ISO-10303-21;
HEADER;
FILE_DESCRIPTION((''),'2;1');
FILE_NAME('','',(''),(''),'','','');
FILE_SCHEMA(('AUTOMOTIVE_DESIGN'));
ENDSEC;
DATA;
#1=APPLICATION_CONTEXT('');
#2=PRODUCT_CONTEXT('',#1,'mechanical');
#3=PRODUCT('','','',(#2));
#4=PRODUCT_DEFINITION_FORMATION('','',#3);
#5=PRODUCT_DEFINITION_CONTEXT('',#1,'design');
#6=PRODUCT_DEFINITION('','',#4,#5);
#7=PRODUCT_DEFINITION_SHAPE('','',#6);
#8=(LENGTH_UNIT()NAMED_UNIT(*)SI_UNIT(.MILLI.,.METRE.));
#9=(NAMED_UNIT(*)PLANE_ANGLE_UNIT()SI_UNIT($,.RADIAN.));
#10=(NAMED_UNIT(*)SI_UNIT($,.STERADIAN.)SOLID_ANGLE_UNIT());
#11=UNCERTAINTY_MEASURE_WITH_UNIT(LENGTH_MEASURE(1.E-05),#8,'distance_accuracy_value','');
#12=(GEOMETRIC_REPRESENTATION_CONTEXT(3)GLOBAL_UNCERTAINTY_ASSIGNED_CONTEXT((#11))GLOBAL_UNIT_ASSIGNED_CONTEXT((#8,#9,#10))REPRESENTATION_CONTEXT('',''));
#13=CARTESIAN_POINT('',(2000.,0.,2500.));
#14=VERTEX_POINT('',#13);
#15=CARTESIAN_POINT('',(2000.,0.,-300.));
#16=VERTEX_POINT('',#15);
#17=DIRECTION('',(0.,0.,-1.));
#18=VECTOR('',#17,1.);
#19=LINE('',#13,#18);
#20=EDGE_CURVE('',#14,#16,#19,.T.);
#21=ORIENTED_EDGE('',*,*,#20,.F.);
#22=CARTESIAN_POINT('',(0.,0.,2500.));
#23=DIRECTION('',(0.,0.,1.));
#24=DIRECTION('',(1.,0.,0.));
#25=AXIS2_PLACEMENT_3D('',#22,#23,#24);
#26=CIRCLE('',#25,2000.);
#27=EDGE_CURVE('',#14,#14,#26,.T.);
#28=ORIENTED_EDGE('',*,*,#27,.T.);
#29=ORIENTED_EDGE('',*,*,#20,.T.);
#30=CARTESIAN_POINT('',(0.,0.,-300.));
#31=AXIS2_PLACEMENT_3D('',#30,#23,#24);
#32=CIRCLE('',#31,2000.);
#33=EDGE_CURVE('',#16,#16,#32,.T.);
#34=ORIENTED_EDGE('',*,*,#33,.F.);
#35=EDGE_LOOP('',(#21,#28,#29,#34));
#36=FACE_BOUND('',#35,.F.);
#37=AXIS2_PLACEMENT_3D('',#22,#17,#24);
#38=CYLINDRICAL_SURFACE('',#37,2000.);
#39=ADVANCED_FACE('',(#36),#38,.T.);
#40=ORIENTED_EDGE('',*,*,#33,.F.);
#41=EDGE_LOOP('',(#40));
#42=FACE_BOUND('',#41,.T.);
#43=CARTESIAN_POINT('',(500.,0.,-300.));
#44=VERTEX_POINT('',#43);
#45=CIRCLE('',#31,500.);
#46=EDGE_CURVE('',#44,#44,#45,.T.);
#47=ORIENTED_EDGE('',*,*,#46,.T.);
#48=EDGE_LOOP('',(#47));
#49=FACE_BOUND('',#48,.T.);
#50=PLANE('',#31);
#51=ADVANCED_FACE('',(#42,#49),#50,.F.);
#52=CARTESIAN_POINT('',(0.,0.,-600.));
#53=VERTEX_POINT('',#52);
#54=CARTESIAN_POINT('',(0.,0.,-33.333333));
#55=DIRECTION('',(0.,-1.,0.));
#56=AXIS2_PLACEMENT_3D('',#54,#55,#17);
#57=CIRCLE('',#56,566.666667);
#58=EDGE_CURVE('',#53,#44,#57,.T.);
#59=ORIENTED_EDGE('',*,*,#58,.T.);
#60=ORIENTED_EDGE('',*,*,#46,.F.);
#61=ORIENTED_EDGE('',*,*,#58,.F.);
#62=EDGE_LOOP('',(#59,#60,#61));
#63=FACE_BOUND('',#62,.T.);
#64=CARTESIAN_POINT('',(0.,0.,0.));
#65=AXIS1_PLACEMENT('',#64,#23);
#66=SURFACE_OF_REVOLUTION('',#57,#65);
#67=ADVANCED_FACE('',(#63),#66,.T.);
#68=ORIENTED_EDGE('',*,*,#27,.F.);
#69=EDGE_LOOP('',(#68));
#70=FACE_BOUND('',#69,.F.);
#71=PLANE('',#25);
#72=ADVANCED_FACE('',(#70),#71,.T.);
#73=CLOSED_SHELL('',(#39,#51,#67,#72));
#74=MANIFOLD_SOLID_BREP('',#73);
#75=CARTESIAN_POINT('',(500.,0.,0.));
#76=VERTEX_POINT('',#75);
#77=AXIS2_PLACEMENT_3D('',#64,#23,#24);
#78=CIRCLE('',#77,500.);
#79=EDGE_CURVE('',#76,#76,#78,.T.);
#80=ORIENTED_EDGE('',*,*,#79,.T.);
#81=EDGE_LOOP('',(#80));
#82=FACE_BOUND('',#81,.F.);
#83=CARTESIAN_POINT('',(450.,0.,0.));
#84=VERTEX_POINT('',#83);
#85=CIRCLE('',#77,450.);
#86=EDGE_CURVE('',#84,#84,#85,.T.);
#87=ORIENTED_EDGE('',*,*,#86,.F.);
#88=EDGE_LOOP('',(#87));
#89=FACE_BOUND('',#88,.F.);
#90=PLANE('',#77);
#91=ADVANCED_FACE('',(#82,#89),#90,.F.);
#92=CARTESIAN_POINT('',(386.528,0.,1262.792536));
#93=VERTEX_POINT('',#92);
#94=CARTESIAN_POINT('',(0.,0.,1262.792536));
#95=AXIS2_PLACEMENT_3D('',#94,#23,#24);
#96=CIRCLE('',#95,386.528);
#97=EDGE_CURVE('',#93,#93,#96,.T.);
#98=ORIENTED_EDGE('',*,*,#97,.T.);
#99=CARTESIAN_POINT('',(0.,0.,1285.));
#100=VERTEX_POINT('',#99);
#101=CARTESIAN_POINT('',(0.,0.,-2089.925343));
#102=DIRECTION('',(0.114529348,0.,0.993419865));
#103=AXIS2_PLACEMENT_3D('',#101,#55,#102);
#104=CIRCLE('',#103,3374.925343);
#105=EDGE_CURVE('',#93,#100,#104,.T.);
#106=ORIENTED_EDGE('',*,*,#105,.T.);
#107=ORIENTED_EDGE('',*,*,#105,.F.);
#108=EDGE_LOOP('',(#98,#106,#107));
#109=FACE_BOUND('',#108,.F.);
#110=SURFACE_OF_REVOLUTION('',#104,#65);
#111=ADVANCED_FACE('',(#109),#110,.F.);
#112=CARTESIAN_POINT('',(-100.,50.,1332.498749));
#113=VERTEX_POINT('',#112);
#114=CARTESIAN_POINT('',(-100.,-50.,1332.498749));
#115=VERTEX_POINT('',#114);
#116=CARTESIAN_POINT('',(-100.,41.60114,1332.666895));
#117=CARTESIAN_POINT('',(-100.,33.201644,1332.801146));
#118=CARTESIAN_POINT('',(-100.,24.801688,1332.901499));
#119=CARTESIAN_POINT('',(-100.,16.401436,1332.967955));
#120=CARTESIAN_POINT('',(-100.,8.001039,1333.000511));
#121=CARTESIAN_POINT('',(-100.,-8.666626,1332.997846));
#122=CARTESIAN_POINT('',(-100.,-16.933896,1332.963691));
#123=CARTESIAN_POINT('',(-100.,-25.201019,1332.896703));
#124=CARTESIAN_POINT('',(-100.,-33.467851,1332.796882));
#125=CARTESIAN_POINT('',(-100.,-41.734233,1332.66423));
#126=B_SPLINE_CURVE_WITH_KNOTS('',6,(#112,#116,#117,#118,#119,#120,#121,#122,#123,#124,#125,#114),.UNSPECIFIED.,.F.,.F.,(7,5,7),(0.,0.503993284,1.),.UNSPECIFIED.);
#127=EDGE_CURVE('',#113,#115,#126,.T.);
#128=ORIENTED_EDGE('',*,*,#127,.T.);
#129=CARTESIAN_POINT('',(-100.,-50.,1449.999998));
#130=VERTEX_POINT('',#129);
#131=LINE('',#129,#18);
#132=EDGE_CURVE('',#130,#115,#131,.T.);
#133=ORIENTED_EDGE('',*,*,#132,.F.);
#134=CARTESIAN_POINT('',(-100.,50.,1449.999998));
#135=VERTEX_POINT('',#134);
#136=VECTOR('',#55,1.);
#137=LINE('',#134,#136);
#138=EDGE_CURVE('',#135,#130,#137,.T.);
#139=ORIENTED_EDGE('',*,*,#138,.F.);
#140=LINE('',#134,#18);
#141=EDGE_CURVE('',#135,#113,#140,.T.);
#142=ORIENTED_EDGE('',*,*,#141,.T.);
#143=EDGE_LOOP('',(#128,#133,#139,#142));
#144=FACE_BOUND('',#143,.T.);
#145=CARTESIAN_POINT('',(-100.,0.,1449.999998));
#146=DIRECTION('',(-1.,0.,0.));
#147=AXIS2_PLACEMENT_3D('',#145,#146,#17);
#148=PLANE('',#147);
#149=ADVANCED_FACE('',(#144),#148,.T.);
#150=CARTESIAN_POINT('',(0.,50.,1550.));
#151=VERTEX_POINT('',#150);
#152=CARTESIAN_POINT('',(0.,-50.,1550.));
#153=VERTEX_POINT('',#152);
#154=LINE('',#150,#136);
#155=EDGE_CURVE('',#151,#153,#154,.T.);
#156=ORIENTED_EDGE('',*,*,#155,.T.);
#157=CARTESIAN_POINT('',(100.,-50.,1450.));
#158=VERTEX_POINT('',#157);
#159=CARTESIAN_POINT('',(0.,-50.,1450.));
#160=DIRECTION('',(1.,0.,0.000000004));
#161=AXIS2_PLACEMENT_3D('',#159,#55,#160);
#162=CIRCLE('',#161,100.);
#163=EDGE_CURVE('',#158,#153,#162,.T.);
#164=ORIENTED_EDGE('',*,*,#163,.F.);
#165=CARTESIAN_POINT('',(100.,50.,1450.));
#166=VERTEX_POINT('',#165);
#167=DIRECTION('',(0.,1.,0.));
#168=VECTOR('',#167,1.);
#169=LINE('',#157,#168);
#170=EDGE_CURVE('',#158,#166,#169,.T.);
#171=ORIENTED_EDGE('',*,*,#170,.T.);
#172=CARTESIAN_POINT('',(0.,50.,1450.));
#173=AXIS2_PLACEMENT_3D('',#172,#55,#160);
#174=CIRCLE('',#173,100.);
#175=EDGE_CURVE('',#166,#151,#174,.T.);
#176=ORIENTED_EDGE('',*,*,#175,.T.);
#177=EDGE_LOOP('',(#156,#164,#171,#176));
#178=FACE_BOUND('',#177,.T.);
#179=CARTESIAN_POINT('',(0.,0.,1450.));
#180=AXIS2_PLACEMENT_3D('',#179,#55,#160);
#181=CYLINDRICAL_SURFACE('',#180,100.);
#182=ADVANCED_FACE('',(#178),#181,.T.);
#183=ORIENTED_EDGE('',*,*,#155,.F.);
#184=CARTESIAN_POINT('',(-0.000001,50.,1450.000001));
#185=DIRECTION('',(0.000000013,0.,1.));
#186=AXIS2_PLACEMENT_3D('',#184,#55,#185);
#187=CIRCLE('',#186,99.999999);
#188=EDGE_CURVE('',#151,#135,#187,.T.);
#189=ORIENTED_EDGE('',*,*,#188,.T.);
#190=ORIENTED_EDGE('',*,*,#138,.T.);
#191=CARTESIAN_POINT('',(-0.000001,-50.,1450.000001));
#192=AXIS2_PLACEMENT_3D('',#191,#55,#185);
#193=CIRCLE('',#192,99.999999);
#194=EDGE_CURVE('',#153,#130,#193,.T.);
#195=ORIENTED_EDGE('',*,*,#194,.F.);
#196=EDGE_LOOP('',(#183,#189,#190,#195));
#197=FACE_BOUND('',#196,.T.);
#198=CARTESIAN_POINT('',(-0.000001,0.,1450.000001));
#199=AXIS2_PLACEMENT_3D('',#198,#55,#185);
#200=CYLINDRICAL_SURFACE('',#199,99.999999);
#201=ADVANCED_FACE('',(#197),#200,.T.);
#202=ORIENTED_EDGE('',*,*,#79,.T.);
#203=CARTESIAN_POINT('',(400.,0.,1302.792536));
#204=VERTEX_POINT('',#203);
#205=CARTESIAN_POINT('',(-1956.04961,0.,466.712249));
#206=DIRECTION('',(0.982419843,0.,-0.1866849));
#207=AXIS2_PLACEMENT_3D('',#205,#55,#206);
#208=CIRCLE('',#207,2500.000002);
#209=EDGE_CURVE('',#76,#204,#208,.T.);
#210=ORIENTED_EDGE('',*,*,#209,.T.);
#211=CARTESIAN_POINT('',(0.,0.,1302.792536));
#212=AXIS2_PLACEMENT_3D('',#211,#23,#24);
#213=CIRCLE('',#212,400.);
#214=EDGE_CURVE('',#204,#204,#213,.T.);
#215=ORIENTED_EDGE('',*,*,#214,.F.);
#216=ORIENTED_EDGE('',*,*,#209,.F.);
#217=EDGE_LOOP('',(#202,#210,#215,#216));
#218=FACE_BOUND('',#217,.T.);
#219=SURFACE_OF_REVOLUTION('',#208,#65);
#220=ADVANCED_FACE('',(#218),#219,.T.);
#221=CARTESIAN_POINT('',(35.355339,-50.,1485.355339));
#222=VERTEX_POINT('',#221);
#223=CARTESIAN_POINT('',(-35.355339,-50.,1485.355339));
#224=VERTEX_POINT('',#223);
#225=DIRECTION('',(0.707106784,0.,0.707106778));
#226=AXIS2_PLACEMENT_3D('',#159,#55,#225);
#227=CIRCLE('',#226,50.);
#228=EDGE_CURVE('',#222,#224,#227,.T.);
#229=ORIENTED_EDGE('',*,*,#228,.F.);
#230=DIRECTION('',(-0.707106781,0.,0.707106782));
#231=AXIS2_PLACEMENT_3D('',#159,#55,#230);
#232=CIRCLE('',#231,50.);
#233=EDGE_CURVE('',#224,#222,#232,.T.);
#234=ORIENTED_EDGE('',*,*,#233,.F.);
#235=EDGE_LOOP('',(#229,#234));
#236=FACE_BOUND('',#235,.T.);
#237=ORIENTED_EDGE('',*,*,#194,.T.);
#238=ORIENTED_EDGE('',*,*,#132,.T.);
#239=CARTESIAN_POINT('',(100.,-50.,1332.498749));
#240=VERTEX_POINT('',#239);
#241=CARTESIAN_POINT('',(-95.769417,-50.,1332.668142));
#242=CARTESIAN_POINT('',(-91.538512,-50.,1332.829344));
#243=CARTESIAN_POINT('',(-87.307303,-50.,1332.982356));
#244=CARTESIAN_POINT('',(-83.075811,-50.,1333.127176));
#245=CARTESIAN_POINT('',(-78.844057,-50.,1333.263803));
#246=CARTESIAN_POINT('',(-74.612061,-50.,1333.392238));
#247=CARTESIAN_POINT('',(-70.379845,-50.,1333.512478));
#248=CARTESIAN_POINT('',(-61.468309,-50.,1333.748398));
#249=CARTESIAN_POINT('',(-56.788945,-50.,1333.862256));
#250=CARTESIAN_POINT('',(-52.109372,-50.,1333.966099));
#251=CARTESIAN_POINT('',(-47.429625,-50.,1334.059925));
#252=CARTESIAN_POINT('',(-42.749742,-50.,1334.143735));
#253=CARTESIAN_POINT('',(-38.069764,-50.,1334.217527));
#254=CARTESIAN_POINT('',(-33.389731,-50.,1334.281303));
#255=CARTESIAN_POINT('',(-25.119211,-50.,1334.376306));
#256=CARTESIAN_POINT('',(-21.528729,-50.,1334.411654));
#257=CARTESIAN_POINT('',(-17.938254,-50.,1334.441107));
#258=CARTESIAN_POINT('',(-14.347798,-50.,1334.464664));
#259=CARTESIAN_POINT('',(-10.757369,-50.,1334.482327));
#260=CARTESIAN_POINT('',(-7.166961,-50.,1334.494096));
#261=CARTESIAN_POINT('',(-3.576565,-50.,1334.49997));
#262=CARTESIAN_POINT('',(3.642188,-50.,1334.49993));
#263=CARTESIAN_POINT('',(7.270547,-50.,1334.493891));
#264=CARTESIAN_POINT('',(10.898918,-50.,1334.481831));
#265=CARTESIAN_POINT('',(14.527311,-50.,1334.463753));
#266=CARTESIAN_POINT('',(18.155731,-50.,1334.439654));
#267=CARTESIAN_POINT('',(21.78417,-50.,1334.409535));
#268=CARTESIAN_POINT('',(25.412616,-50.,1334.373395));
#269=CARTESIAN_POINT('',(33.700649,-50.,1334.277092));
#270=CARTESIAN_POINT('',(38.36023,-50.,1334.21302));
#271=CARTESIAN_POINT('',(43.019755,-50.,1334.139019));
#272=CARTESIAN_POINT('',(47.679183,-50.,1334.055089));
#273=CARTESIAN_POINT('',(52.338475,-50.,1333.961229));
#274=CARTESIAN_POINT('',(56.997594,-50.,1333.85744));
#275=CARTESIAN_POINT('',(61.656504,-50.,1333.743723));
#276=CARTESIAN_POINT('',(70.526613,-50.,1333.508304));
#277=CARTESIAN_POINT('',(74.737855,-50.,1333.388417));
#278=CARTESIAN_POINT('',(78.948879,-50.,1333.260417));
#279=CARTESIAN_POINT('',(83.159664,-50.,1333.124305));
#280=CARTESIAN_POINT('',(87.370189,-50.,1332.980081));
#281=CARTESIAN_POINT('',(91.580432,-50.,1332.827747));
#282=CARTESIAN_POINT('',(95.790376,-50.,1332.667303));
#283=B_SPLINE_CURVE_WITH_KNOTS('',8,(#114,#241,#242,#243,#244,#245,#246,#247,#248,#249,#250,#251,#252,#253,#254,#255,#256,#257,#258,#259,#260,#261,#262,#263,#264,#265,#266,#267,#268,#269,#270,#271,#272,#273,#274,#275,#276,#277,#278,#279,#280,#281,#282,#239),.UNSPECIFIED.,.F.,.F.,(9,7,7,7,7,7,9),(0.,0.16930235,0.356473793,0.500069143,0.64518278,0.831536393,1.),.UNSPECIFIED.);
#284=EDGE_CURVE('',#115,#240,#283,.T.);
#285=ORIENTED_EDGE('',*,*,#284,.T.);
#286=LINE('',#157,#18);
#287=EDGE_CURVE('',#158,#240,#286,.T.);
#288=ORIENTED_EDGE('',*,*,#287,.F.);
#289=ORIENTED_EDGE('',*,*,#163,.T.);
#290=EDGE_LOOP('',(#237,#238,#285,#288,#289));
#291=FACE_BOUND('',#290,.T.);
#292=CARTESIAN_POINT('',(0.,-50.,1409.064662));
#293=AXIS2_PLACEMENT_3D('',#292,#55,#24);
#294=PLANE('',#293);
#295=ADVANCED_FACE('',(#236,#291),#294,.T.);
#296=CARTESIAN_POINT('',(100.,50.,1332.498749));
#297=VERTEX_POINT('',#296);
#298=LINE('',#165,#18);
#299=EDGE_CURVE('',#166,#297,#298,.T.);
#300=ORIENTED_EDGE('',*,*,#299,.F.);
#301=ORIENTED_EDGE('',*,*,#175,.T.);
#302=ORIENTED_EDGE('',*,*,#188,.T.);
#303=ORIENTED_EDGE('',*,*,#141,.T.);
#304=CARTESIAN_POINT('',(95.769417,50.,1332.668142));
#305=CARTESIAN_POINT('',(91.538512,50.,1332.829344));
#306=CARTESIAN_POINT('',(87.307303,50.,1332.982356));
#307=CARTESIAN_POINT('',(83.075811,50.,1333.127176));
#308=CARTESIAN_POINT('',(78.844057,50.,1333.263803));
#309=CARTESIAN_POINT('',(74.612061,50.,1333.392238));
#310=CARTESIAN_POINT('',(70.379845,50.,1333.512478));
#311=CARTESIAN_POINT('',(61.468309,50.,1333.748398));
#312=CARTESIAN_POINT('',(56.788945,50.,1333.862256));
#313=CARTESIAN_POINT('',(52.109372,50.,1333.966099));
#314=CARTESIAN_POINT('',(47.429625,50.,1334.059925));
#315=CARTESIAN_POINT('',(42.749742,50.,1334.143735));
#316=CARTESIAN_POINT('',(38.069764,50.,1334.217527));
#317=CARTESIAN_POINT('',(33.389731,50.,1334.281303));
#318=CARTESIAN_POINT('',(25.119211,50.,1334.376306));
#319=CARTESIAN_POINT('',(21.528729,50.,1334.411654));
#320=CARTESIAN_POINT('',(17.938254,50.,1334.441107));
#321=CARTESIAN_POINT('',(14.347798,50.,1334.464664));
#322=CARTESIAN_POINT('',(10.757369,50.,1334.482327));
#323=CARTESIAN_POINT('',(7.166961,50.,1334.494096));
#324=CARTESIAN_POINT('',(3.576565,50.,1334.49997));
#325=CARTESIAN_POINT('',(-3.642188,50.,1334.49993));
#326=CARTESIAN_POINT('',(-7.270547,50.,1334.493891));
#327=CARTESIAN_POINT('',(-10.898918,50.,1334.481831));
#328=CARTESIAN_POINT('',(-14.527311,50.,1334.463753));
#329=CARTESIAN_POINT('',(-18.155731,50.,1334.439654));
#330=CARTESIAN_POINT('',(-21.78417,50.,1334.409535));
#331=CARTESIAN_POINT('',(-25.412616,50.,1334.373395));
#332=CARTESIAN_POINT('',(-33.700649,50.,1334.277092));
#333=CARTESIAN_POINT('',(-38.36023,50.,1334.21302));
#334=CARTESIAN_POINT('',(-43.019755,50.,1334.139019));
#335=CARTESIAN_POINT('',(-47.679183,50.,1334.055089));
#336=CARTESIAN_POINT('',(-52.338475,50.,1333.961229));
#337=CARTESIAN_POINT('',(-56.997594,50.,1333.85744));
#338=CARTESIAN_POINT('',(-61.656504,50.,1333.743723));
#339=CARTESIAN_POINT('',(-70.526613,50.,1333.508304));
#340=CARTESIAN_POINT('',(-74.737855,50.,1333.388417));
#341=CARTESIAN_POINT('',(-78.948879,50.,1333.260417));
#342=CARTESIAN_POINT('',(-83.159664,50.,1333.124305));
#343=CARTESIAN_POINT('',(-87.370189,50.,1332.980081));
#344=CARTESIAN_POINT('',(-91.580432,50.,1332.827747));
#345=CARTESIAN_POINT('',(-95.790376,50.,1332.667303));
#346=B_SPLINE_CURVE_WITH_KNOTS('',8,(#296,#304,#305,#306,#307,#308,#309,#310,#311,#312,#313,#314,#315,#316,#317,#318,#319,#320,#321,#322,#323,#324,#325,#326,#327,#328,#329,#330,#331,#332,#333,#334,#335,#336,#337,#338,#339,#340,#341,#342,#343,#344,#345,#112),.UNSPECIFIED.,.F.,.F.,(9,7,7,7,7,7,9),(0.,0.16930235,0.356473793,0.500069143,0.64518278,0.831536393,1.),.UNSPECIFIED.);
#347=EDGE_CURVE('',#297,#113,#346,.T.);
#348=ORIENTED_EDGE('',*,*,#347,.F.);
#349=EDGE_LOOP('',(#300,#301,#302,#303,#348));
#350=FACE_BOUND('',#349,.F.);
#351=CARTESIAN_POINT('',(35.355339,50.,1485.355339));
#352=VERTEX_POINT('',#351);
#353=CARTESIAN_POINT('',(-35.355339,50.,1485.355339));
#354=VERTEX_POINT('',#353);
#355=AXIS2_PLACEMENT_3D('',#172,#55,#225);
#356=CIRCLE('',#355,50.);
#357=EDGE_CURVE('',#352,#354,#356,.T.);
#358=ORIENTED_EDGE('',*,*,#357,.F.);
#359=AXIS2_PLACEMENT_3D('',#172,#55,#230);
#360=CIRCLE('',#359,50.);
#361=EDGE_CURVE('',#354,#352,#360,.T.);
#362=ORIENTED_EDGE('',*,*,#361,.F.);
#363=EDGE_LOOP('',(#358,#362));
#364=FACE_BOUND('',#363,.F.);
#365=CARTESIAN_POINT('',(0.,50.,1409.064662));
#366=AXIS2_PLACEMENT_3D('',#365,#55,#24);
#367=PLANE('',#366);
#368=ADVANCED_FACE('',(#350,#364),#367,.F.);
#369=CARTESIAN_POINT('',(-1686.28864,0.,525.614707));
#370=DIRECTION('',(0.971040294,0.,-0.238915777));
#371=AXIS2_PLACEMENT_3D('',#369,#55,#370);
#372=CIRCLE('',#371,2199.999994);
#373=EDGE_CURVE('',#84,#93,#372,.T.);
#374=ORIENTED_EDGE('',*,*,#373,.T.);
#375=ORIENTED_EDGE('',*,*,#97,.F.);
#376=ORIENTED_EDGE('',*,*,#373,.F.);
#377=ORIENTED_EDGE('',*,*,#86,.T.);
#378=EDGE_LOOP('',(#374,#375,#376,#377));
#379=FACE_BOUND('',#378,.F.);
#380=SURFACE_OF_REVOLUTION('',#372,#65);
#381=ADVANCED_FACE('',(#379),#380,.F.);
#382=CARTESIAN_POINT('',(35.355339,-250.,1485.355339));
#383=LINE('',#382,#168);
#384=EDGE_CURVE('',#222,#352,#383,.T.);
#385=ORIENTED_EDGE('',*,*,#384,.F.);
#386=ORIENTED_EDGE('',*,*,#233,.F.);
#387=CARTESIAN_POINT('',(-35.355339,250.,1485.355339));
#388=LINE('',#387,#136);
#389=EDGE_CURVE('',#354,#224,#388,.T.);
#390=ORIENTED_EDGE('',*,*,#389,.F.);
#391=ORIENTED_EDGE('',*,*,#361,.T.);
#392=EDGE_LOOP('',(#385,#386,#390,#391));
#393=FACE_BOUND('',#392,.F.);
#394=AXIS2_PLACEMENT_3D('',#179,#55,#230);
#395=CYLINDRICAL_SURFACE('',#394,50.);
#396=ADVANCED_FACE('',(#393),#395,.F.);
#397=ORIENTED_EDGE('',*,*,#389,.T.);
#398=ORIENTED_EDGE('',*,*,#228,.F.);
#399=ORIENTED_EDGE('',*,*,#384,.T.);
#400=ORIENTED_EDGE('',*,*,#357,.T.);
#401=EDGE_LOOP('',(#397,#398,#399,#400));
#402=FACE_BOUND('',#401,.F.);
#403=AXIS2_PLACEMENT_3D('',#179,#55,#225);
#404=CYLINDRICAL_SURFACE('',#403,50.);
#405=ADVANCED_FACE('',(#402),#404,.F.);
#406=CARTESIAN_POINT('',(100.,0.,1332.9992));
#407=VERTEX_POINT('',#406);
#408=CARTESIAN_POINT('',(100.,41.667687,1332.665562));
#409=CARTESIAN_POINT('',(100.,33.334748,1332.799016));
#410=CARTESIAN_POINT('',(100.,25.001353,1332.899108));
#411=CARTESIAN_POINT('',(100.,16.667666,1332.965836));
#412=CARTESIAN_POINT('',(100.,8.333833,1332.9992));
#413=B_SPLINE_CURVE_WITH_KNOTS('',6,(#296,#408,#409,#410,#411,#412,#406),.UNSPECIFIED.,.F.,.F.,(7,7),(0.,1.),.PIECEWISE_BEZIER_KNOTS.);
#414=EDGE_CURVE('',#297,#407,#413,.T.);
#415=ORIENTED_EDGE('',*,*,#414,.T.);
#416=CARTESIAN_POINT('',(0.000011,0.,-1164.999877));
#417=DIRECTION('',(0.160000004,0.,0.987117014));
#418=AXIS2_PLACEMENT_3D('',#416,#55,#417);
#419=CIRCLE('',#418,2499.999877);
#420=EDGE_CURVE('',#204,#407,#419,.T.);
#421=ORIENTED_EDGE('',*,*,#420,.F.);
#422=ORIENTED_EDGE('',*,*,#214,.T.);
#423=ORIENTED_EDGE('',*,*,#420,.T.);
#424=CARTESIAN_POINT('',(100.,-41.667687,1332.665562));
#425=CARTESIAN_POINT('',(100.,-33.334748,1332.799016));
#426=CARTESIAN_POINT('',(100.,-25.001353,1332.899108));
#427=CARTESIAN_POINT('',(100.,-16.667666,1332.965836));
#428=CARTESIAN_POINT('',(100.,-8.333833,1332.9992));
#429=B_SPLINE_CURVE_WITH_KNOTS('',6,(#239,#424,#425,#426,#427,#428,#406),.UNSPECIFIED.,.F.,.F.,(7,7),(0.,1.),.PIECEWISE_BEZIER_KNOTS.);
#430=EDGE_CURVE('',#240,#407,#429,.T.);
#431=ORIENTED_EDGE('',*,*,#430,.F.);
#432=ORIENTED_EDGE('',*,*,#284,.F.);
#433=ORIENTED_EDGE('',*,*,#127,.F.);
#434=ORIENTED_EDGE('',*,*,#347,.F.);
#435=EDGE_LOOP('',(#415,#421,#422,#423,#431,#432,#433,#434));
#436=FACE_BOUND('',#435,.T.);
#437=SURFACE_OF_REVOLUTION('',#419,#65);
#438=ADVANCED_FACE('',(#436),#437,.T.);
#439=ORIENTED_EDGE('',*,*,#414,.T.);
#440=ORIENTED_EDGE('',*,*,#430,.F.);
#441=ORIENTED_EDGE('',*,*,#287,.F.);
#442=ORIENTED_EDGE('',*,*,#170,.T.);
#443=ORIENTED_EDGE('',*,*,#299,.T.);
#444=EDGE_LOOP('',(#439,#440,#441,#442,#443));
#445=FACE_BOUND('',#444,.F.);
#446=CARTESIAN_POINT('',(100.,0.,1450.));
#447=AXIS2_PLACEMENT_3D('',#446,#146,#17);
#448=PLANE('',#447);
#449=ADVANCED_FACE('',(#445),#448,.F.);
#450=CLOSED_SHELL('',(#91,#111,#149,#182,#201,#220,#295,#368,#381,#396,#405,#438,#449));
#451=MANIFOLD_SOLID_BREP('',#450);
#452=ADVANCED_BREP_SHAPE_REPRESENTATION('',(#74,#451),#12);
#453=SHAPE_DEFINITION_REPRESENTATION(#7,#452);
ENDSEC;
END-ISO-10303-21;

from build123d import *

# Parameters (mm, degrees)
PAD001_DEPTH = 250
PAD_DEPTH    = 50


with BuildPart() as air:
    # Sketch009 → Revolution003 (revolve)
    with BuildSketch(Plane.XZ):
        with BuildLine():
            Line((0, 2500), (2000, 2500))
            Line((2000, 2500), (2000, -300))
            Line((500, -300), (2000, -300))
            ThreePointArc((0, -600), (291.547595, -519.245991), (500, -300))
            Line((0, -600), (0, 2500))
        make_face()
    revolve(axis=Axis((0, 0, 0), (0, 0, 1)))


with BuildPart() as pad001:
    # Sketch002 → Pad001 (new body, symmetric)
    with BuildSketch(Plane.XZ):
        with BuildLine():
            ThreePointArc((35.355339, 1485.355339), (0, 1500), (-35.355339, 1485.355339))
            ThreePointArc((-35.355339, 1485.355339), (0, 1400), (35.355339, 1485.355339))
        make_face()
    extrude(amount=PAD001_DEPTH, both=True)


with BuildPart() as pad:
    # Sketch001 → Pad (new body, symmetric)
    with BuildSketch(Plane.XZ):
        with BuildLine():
            ThreePointArc((100, 1450), (70.710678, 1520.710678), (0, 1550))
            ThreePointArc((0, 1550), (-70.710679, 1520.710678), (-100, 1449.999998))
            Line((-100, 1449.999998), (-100, 1300))
            Line((-100, 1300), (0, 1300))
            Line((100, 1300), (0, 1300))
            Line((100, 1450), (100, 1300))
        make_face()
    extrude(amount=PAD_DEPTH, both=True)


with BuildPart() as bell02:
    # Sketch → Revolution (revolve)
    with BuildSketch(Plane.XZ):
        with BuildLine():
            ThreePointArc((386.528, 1262.792536), (193.582712, 1279.44356), (0, 1285))
            Line((0, 1335), (0, 1285))
            ThreePointArc((400, 1302.792536), (200.647278, 1326.935126), (0, 1335))
            ThreePointArc((500, 0), (536.618002, 658.044909), (400, 1302.792536))
            Line((500, 0), (450, 0))
            ThreePointArc((450, 0), (510.93758, 636.054339), (386.528, 1262.792536))
        make_face()
    revolve(axis=Axis((0, 0, 0), (0, 0, 1)))

    # Fusion: union Pad
    add(pad.part)

    # Cut: cut Pad001
    add(pad001.part, mode=Mode.SUBTRACT)


solid = Compound([air.part, bell02.part])
